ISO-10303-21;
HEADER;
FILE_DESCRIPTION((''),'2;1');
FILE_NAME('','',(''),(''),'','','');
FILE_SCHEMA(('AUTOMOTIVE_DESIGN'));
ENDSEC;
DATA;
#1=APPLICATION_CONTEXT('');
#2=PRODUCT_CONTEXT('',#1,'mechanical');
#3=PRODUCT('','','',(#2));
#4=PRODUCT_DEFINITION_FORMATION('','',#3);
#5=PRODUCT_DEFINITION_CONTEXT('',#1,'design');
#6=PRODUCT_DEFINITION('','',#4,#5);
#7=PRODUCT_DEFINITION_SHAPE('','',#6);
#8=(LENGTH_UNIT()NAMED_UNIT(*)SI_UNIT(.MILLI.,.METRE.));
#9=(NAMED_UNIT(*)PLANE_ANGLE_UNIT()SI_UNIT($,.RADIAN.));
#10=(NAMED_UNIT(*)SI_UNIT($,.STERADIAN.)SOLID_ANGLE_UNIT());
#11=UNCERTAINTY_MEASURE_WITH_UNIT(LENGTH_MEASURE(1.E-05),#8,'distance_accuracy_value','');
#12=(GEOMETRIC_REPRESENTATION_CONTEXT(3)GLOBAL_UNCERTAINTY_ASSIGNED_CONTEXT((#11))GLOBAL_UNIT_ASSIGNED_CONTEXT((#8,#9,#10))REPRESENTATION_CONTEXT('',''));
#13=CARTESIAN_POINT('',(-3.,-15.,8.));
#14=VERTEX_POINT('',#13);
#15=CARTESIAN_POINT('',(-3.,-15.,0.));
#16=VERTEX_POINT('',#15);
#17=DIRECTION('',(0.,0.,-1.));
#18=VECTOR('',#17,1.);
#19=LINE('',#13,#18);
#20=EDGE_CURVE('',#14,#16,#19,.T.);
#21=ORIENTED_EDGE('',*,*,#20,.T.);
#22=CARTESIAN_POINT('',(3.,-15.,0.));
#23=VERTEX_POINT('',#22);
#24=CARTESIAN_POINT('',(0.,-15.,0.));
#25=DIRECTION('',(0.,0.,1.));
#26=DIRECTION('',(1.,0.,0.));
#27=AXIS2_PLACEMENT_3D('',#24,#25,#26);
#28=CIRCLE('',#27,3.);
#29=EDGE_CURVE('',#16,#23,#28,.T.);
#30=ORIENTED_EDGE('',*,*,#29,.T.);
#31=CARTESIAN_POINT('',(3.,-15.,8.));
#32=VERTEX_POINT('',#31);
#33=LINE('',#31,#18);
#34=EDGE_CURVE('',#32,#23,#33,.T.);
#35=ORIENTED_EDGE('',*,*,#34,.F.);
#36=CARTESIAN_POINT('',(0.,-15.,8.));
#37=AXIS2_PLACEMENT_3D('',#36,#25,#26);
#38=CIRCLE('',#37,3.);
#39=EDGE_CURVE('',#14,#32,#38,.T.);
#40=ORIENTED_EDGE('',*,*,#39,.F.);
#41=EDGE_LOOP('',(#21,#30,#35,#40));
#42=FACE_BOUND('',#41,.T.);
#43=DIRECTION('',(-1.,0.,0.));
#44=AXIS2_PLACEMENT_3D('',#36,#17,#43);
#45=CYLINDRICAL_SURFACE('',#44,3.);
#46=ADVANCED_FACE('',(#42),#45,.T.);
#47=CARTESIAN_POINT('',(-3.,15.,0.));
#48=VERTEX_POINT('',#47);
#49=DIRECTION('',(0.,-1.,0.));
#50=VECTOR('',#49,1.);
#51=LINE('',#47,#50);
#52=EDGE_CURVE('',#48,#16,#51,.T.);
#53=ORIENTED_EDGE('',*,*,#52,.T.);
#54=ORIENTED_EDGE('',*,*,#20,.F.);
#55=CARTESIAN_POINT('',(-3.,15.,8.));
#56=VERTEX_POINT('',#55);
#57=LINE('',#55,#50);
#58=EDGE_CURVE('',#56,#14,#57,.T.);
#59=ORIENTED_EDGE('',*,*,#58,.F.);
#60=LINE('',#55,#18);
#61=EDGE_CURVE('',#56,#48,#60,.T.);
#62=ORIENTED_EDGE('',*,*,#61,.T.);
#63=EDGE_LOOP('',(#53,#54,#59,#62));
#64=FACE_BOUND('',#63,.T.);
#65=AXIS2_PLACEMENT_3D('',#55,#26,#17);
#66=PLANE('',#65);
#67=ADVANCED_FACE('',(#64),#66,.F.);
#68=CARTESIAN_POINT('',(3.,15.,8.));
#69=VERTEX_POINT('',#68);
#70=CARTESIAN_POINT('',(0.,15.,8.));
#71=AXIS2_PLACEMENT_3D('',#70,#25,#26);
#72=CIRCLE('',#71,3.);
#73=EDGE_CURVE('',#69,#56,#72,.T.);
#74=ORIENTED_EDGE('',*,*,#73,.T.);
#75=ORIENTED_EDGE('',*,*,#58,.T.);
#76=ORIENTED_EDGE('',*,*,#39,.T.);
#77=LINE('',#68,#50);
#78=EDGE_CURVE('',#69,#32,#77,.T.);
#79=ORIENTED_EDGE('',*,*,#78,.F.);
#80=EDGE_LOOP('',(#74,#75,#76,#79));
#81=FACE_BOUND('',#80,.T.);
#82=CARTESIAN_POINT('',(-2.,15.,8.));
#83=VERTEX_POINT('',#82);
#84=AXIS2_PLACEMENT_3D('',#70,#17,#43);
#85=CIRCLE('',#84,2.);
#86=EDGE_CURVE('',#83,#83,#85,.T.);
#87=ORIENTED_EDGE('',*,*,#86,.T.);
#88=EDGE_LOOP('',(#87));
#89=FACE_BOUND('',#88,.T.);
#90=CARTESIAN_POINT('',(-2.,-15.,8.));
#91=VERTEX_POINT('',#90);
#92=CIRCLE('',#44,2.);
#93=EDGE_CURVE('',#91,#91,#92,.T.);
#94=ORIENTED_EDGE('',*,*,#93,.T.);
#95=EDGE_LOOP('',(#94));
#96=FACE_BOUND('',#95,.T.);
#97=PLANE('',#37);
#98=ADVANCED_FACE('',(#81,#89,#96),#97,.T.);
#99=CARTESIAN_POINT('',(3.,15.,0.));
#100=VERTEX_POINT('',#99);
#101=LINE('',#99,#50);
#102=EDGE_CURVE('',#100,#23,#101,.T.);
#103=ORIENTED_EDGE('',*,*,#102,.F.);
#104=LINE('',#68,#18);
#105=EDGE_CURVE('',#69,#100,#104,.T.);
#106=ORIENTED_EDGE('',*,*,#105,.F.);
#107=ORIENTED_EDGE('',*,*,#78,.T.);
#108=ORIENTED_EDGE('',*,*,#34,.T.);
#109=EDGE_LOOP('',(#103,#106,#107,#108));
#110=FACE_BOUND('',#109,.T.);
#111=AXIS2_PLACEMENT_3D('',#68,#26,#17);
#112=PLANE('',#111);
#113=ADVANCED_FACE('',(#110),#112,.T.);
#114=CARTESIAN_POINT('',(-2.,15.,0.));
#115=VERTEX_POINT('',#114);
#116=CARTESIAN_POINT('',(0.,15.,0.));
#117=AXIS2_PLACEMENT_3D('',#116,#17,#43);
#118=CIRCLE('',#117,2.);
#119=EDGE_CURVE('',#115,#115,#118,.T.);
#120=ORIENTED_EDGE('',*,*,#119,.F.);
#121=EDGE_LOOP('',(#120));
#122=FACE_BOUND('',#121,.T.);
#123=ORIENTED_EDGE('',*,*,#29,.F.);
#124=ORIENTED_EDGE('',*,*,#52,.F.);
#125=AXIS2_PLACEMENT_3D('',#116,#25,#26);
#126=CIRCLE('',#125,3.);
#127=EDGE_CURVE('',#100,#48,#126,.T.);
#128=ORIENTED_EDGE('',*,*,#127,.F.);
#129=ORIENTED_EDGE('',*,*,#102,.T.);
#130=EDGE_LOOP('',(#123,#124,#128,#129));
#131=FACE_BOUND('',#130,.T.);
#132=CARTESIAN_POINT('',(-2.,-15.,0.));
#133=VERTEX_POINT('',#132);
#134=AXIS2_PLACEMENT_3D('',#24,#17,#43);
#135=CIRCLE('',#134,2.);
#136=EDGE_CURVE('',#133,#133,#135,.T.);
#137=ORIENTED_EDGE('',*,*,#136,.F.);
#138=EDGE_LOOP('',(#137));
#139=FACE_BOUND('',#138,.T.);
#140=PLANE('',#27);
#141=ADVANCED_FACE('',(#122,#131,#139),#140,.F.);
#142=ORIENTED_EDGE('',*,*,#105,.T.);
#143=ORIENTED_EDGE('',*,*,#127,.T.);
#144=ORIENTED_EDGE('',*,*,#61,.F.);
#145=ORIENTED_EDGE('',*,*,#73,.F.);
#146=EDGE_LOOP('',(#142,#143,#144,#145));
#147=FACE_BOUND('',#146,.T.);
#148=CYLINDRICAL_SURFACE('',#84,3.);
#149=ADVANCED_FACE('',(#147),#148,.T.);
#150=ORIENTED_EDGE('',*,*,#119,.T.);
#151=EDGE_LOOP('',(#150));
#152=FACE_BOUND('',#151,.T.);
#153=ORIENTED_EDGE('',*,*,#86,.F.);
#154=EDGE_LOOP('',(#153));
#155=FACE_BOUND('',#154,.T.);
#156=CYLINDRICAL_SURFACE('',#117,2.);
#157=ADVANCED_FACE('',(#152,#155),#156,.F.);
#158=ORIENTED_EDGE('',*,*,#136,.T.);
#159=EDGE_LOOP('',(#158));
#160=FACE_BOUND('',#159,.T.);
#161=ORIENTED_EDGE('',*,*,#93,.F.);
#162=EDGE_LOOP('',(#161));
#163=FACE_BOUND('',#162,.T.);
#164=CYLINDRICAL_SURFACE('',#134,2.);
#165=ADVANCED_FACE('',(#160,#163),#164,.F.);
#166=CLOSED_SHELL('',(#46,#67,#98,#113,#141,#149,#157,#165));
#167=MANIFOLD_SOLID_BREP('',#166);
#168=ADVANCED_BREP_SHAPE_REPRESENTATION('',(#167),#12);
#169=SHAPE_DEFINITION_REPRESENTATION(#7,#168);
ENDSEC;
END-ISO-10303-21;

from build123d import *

# Parameters (mm, degrees)
BOSS_EXTRUDE1_DEPTH     = 8
F_4_0_MM_DOWEL_HOLES1_D = 4


with BuildPart() as part:
    # Sketch1 → Boss-Extrude1 (new body)
    with BuildSketch(Plane.XY):
        with BuildLine():
            Line((-3, 15), (-3, -15))
            ThreePointArc((-3, -15), (0, -18), (3, -15))
            Line((3, -15), (3, 15))
            ThreePointArc((3, 15), (0, 18), (-3, 15))
        make_face()
    extrude(amount=BOSS_EXTRUDE1_DEPTH)

    # Ø4.0 mm Dowel Holes1 (through all)
    with Locations(Plane(origin=(0, 0, 0), x_dir=(-1, 0, 0), z_dir=(0, 0, -1))):
        with Locations((0, 15)):
            f_4_0_mm_dowel_holes1 = Hole(F_4_0_MM_DOWEL_HOLES1_D / 2)

    # Mirror1: Ø4.0 mm Dowel Holes1 across plane
    add(f_4_0_mm_dowel_holes1.mirror(Plane.ZX), mode=Mode.SUBTRACT)


solid = part.part
